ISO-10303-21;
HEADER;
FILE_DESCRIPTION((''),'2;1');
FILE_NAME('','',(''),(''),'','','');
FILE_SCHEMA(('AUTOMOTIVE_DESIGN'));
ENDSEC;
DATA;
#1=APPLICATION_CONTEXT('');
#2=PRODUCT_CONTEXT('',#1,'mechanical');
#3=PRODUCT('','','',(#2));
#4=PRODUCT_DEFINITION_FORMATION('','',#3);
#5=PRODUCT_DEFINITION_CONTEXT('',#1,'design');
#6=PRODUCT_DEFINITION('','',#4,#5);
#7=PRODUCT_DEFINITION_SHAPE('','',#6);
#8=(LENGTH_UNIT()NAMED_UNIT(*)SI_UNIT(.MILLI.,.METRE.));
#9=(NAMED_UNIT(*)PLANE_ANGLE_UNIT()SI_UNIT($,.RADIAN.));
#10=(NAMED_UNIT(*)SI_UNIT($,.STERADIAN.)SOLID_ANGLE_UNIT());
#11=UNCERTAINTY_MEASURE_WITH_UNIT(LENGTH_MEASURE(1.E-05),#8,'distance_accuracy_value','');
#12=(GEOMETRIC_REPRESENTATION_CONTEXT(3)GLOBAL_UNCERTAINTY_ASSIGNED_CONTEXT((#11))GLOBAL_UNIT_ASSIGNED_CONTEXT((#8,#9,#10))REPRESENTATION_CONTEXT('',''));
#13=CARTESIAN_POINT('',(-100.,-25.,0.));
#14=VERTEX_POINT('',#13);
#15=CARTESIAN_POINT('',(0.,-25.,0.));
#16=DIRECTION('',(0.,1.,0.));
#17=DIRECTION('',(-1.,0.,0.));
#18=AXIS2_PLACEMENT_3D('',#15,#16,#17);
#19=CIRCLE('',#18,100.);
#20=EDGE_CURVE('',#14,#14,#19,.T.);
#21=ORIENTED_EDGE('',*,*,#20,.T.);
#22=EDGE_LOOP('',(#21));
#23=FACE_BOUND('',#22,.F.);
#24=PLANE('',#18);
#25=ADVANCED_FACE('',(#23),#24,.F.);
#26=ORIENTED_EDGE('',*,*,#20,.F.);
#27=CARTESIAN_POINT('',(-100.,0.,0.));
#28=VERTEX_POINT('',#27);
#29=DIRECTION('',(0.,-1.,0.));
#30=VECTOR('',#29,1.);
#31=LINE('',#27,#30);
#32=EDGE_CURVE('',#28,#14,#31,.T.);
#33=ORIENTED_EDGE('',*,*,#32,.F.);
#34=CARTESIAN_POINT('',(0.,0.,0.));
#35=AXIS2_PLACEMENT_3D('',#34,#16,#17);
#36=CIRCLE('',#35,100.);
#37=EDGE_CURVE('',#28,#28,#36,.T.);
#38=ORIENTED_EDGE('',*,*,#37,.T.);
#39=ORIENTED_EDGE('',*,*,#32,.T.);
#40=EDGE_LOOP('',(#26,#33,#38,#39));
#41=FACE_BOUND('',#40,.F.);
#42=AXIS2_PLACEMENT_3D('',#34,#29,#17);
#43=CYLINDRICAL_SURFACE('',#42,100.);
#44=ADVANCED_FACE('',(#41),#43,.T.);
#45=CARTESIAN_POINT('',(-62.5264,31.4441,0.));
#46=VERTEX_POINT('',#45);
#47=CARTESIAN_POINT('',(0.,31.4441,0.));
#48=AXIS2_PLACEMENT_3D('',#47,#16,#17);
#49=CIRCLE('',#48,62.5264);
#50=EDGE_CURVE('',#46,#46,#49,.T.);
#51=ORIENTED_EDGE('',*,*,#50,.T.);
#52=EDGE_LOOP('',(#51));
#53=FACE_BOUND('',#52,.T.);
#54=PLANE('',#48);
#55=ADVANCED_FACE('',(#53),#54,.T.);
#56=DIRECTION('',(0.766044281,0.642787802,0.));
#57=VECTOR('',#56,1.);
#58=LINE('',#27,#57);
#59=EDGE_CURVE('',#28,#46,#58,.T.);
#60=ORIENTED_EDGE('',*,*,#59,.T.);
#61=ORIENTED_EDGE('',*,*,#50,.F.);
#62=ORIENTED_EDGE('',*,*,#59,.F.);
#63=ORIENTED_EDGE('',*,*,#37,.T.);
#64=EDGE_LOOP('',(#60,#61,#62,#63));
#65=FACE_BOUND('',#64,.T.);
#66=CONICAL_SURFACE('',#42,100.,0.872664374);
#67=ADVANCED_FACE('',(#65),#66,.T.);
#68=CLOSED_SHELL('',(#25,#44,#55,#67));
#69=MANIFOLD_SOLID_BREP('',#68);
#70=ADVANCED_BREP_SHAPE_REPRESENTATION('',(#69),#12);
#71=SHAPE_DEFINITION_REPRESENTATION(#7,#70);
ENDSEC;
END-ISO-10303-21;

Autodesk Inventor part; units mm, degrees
ref_plane "YZ Plane" through (0, 0, 0) normal (1, 0, 0) x (0, 1, 0)
ref_plane "XZ Plane" through (0, 0, 0) normal (0, 1, 0) x (-1, 0, 0)
ref_plane "XY Plane" through (0, 0, 0) normal (0, 0, 1) x (1, 0, 0)
sketch "base_sketch" plane through (0, 0, 0) normal (0, 0, 1) x (1, 0, 0)
  line L0 (-100, -25) -> (0, -25)
  line L1 (-100, 0) -> (0, 0)
  line L2 (0, 0) -> (-100, 0) construction
  line L3 (-100, 0) -> (-100, -25)
  line L4 (0, 0) -> (0, 100) construction
  line L5 (-100, 0) -> (-62.5264, 31.4441)
  line L6 (-62.5264, 31.4441) -> (0, 31.4441)
  line L7 (0, 31.4441) -> (0, -25)
  point P0 (-50, -25)
  dimension "d0" = 100
  dimension "d1" = 25
  dimension "d2" = 100
  dimension "d3" = 100
  dimension "d4" = 130
  dimension "d5" = 62.5264
revolve "base_Revolution" add sketch "base_sketch" angle 360 about axis through (0, 0, 0) along (0, 1, 0)
properties part number "Pe_nivelador" material "Rubber"
